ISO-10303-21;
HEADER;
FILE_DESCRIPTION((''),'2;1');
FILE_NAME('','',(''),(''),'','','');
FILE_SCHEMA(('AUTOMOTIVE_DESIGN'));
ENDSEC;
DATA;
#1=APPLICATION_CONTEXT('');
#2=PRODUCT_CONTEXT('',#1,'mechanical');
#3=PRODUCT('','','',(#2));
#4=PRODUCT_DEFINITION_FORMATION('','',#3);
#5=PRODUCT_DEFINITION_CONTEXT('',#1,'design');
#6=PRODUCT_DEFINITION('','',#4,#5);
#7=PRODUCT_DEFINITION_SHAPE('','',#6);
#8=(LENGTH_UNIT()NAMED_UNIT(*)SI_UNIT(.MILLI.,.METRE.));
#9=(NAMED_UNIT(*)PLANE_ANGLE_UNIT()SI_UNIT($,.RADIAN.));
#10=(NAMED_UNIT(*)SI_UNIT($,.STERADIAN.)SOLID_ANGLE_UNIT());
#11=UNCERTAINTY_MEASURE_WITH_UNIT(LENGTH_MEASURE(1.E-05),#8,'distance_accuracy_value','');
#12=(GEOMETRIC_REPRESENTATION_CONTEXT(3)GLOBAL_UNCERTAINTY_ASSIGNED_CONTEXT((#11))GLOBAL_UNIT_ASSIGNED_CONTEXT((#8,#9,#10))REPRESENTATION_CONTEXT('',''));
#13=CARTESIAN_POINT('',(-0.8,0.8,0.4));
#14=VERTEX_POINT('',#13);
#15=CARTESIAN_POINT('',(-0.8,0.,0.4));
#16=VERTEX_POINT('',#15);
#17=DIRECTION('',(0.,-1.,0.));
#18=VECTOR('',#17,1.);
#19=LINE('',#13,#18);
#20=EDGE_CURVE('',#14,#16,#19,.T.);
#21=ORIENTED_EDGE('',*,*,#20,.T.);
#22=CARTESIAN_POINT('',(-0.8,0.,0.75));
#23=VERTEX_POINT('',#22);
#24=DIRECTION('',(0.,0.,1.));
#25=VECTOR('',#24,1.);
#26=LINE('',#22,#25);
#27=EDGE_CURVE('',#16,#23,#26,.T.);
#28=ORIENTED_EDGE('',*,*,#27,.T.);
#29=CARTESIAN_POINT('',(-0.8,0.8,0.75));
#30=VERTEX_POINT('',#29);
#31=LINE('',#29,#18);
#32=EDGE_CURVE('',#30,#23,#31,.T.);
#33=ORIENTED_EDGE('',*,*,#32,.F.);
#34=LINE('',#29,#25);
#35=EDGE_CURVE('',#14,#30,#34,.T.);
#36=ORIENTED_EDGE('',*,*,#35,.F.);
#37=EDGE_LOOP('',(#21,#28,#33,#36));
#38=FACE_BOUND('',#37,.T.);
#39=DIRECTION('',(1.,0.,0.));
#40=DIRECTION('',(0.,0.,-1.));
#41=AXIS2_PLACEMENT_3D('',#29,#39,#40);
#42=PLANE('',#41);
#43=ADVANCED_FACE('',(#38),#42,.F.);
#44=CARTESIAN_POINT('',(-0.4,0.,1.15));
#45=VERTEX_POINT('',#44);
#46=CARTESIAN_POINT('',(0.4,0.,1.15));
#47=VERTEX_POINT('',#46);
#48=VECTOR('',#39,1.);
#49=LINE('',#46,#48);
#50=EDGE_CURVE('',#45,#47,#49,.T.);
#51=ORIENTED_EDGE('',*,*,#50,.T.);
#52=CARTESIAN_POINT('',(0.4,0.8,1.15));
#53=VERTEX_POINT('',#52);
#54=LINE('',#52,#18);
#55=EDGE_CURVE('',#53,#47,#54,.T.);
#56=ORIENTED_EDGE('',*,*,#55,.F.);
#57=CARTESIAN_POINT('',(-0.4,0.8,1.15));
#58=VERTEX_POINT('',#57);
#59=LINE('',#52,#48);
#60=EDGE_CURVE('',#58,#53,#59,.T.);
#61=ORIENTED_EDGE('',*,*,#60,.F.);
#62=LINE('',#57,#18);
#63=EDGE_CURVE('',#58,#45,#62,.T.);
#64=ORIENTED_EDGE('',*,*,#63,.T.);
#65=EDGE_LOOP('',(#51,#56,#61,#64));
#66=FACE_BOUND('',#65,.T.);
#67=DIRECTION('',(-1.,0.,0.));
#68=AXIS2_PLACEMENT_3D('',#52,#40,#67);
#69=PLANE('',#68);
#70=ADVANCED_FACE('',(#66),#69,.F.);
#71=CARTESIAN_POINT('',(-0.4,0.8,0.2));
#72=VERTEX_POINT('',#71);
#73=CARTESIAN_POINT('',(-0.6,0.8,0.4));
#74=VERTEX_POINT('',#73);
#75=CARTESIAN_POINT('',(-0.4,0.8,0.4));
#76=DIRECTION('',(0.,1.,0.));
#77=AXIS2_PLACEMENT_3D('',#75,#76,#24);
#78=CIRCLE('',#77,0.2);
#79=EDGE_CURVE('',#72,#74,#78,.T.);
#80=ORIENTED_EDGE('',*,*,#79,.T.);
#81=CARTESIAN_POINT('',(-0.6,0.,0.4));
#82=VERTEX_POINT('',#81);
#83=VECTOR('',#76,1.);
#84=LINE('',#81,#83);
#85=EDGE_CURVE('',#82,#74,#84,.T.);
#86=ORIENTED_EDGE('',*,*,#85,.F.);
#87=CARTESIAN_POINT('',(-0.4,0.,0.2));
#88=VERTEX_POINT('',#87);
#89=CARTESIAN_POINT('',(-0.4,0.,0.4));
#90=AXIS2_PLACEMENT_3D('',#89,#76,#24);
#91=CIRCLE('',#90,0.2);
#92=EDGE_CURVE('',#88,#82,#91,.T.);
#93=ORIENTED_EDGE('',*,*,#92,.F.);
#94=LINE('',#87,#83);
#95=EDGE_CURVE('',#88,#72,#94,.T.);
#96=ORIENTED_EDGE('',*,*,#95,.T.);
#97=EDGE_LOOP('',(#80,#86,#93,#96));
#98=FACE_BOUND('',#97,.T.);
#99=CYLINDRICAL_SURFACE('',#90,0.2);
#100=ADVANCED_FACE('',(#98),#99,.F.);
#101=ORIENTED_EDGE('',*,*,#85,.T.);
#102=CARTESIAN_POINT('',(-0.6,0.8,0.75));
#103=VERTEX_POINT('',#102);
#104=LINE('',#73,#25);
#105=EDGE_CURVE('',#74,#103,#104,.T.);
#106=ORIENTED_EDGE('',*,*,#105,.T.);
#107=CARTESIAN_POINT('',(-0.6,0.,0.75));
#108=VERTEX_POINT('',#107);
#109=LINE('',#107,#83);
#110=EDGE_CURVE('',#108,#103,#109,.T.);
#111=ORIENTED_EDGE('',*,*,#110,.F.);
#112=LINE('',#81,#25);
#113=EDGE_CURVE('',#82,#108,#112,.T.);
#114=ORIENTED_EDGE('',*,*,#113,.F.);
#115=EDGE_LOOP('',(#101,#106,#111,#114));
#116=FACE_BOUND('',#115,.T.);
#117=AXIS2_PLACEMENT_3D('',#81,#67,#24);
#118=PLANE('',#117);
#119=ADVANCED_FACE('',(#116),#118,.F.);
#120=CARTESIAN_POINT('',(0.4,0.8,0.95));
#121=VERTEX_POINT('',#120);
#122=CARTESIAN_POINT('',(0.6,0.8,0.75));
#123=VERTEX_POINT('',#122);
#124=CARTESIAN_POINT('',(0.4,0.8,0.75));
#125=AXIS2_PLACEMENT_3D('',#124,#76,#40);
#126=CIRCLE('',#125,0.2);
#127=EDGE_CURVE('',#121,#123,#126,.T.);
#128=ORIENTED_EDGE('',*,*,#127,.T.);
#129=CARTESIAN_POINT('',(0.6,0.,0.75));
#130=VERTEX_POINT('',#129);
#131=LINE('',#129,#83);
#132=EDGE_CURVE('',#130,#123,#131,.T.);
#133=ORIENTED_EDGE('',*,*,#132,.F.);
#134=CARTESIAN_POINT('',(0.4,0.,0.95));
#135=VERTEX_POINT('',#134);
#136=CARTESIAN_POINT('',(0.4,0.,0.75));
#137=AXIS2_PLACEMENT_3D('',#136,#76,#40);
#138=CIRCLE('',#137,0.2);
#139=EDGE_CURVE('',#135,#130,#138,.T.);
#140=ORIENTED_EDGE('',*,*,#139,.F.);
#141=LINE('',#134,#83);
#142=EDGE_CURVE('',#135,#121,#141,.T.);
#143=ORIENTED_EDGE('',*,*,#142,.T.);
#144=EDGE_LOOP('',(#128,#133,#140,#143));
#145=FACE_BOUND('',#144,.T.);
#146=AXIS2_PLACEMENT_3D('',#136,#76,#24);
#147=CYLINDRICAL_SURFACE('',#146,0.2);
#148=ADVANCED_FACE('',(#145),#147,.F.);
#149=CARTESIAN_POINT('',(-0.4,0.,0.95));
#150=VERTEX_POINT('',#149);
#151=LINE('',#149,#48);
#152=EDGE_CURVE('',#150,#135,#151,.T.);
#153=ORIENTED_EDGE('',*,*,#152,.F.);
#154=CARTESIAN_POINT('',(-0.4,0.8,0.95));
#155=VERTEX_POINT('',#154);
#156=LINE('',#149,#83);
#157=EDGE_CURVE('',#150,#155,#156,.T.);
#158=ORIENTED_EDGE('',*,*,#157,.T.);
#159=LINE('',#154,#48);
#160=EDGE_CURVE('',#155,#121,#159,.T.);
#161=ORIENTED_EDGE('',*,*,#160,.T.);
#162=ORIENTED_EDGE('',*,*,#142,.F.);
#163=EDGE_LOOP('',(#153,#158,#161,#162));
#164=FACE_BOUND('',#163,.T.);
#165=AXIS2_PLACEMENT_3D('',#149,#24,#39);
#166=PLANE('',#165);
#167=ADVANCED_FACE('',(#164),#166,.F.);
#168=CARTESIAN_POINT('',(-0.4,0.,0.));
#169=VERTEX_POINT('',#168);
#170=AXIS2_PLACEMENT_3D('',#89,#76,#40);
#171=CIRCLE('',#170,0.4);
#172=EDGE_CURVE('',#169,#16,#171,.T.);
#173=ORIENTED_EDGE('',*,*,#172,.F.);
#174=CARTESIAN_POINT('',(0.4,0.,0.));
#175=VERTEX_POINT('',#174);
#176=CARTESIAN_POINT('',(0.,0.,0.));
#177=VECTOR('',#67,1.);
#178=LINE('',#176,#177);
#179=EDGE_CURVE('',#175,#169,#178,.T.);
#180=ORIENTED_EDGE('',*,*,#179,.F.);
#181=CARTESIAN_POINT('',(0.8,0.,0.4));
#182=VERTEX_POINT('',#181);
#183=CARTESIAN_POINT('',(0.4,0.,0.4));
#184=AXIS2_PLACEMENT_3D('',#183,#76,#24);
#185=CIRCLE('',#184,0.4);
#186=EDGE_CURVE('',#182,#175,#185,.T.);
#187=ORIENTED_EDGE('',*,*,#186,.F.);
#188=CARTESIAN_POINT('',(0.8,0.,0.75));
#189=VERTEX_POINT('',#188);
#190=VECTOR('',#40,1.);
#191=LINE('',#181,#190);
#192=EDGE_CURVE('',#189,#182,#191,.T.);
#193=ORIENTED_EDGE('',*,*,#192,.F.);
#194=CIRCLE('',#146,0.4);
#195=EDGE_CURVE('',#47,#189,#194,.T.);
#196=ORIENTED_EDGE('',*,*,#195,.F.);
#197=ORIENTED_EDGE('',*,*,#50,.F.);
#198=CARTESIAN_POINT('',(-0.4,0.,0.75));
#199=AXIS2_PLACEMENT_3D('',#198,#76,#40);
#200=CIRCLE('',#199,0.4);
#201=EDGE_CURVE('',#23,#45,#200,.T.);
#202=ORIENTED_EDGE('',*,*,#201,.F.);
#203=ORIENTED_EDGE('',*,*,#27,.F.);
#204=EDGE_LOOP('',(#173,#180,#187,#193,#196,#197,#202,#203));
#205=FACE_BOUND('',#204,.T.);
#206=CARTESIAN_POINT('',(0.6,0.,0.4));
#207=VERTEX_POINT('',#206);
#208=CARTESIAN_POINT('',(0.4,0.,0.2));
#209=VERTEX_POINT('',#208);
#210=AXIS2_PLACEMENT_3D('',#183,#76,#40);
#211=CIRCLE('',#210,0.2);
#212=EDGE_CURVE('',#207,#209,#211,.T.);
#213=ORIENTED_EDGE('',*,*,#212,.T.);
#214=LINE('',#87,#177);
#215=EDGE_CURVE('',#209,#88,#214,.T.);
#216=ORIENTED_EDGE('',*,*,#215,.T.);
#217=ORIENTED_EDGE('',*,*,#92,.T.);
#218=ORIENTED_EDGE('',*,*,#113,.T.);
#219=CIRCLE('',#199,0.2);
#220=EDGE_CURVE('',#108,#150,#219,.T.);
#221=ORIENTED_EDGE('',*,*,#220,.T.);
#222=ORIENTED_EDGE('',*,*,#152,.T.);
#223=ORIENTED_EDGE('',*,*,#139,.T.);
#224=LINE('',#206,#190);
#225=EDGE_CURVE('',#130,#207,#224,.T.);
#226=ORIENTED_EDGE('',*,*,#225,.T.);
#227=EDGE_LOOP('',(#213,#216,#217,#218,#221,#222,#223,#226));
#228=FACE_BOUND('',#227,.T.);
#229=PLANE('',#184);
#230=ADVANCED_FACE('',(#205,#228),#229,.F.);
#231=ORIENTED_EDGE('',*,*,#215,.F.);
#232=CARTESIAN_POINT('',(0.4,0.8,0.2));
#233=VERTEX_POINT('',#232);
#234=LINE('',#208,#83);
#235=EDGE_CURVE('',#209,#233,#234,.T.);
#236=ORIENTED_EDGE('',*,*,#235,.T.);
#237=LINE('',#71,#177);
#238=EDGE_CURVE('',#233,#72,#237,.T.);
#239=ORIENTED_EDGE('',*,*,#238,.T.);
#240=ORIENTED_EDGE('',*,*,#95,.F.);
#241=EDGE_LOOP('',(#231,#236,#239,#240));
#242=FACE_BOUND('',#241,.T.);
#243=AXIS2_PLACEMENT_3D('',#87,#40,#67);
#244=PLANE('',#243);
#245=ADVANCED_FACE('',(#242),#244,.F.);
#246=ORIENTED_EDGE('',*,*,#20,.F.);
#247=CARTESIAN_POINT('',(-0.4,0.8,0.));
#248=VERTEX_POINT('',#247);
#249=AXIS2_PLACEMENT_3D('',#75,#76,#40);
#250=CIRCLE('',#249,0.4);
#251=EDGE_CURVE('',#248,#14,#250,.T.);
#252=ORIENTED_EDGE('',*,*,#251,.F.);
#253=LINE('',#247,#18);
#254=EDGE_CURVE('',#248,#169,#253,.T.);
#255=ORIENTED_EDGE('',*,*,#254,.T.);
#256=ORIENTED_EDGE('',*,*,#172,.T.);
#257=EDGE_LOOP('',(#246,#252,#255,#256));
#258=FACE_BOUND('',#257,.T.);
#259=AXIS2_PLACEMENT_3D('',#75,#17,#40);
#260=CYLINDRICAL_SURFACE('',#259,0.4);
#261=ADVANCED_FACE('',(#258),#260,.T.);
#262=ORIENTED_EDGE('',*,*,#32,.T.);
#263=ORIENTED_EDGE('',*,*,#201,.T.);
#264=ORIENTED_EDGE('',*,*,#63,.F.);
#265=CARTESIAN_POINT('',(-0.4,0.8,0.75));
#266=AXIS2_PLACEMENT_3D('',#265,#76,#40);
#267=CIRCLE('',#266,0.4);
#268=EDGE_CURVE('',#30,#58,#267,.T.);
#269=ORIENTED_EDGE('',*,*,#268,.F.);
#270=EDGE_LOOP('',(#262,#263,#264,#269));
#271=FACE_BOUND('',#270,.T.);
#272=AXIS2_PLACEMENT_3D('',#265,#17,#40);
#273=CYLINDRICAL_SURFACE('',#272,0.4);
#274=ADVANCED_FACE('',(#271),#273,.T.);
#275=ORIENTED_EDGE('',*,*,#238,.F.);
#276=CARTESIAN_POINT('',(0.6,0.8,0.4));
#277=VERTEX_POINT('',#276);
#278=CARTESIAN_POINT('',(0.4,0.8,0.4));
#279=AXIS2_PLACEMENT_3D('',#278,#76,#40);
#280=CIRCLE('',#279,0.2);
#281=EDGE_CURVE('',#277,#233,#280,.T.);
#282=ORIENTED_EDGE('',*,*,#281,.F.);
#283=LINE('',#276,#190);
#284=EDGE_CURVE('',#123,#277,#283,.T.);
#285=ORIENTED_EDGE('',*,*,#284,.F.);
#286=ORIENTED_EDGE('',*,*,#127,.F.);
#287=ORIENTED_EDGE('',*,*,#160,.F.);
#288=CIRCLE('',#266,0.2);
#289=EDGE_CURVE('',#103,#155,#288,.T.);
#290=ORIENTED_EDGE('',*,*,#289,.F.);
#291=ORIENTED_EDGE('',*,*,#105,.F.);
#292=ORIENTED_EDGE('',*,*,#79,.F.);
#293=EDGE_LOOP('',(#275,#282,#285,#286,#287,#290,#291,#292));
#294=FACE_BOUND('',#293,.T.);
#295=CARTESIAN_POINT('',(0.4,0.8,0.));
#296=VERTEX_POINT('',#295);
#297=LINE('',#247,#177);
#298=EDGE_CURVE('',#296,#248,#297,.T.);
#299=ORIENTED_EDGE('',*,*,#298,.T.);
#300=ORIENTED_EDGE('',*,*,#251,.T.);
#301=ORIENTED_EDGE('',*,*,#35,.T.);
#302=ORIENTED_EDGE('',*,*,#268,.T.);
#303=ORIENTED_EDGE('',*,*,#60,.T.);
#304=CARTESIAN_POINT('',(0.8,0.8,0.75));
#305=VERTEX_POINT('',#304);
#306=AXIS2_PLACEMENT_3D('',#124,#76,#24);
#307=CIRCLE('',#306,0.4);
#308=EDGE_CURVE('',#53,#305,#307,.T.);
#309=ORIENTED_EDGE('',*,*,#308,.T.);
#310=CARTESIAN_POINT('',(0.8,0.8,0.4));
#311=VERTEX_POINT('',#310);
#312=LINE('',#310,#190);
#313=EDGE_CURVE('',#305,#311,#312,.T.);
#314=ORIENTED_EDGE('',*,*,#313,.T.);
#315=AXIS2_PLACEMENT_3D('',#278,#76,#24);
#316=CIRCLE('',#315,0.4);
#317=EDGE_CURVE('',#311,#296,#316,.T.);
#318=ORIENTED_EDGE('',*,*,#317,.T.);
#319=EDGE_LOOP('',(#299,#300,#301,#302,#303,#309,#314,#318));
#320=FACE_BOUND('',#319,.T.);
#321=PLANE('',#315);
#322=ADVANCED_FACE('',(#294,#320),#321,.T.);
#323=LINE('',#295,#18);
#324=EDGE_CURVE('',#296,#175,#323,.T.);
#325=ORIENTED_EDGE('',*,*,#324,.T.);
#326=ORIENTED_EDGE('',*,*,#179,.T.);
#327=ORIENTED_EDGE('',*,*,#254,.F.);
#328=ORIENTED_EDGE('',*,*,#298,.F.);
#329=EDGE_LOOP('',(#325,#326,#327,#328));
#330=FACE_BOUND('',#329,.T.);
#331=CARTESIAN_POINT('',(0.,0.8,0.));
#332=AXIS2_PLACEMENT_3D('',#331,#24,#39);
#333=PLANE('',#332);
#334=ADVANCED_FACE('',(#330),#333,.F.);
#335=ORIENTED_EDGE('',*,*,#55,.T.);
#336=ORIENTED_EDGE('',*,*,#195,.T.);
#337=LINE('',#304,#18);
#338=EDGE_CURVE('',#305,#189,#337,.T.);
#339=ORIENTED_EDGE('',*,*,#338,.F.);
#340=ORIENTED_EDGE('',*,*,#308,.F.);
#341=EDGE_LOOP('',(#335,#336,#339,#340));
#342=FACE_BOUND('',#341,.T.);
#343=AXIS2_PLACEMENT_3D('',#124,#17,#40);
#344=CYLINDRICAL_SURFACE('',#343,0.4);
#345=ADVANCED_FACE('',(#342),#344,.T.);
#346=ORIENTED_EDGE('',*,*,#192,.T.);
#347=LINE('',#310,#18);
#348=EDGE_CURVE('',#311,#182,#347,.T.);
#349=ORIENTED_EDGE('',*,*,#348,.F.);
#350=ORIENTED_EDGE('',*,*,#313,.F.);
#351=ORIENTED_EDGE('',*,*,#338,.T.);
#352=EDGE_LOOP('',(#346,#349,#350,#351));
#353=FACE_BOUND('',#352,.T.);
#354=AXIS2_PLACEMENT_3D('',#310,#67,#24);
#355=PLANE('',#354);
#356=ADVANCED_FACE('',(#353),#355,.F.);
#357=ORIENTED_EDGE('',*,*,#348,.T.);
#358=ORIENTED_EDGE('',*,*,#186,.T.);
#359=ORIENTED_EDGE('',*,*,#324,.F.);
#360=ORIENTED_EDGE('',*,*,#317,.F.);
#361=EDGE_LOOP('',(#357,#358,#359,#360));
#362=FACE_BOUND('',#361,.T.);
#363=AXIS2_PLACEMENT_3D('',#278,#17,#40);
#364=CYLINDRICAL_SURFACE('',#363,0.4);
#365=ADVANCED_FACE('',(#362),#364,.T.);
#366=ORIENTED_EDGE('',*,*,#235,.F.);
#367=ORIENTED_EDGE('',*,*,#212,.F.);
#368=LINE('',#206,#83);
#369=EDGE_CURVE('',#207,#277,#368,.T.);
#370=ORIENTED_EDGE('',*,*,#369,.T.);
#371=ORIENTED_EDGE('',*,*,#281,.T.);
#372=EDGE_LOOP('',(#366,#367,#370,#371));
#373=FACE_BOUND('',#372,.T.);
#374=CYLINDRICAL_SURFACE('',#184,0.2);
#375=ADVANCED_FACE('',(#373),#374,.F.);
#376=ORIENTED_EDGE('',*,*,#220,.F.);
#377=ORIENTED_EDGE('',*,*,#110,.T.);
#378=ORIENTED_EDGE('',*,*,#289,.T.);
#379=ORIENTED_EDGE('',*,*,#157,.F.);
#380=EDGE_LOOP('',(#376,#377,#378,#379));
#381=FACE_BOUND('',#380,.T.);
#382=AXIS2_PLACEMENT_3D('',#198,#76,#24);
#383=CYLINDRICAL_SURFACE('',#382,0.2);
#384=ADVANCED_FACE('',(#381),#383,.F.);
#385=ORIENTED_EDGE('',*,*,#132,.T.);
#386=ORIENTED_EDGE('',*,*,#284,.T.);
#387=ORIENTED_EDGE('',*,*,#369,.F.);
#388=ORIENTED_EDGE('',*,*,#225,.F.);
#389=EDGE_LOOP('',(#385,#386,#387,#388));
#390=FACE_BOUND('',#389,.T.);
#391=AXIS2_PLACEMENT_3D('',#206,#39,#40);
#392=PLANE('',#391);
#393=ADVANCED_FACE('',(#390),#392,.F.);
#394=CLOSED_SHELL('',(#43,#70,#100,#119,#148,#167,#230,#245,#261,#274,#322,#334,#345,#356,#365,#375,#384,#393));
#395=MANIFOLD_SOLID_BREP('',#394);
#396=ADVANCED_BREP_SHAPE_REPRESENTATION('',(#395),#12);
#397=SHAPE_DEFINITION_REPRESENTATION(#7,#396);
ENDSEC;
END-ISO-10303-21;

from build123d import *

# Parameters (mm, degrees)
BOSS_EXTRUDE1_DEPTH = 0.8
CUT_EXTRUDE1_DEPTH  = 2.61322658


with BuildPart() as part:
    # Sketch1 → Boss-Extrude1 (new body)
    with BuildSketch(Plane(origin=(0, 0, 0), x_dir=(1, 0, 0), z_dir=(0, 1, 0))):
        with BuildLine():
            Line((0, 0), (0.4, 0))
            ThreePointArc((0.4, 0), (0.682842712, -0.117157288), (0.8, -0.4))
            Line((0.8, -0.4), (0.8, -0.75))
            ThreePointArc((0.8, -0.75), (0.682842712, -1.032842712), (0.4, -1.15))
            Line((0.4, -1.15), (-0.4, -1.15))
            ThreePointArc((-0.4, -1.15), (-0.682842712, -1.032842712), (-0.8, -0.75))
            Line((-0.8, -0.75), (-0.8, -0.4))
            ThreePointArc((-0.8, -0.4), (-0.682842712, -0.117157288), (-0.4, 0))
            Line((-0.4, 0), (0, 0))
        make_face()
    extrude(amount=BOSS_EXTRUDE1_DEPTH)

    # Sketch2 → Cut-Extrude1 (cut, through all)
    with BuildSketch(Plane(origin=(0, 0.8, 0), x_dir=(1, 0, 0), z_dir=(0, 1, 0))):
        with BuildLine():
            Line((-0.4, -0.2), (0.4, -0.2))
            ThreePointArc((0.4, -0.2), (0.541421356, -0.258578644), (0.6, -0.4))
            Line((0.6, -0.4), (0.6, -0.75))
            ThreePointArc((0.6, -0.75), (0.541421356, -0.891421356), (0.4, -0.95))
            Line((0.4, -0.95), (-0.4, -0.95))
            ThreePointArc((-0.4, -0.95), (-0.541421356, -0.891421356), (-0.6, -0.75))
            Line((-0.6, -0.75), (-0.6, -0.4))
            ThreePointArc((-0.6, -0.4), (-0.541421356, -0.258578644), (-0.4, -0.2))
        make_face()
    extrude(amount=-CUT_EXTRUDE1_DEPTH, mode=Mode.SUBTRACT)


solid = part.part
